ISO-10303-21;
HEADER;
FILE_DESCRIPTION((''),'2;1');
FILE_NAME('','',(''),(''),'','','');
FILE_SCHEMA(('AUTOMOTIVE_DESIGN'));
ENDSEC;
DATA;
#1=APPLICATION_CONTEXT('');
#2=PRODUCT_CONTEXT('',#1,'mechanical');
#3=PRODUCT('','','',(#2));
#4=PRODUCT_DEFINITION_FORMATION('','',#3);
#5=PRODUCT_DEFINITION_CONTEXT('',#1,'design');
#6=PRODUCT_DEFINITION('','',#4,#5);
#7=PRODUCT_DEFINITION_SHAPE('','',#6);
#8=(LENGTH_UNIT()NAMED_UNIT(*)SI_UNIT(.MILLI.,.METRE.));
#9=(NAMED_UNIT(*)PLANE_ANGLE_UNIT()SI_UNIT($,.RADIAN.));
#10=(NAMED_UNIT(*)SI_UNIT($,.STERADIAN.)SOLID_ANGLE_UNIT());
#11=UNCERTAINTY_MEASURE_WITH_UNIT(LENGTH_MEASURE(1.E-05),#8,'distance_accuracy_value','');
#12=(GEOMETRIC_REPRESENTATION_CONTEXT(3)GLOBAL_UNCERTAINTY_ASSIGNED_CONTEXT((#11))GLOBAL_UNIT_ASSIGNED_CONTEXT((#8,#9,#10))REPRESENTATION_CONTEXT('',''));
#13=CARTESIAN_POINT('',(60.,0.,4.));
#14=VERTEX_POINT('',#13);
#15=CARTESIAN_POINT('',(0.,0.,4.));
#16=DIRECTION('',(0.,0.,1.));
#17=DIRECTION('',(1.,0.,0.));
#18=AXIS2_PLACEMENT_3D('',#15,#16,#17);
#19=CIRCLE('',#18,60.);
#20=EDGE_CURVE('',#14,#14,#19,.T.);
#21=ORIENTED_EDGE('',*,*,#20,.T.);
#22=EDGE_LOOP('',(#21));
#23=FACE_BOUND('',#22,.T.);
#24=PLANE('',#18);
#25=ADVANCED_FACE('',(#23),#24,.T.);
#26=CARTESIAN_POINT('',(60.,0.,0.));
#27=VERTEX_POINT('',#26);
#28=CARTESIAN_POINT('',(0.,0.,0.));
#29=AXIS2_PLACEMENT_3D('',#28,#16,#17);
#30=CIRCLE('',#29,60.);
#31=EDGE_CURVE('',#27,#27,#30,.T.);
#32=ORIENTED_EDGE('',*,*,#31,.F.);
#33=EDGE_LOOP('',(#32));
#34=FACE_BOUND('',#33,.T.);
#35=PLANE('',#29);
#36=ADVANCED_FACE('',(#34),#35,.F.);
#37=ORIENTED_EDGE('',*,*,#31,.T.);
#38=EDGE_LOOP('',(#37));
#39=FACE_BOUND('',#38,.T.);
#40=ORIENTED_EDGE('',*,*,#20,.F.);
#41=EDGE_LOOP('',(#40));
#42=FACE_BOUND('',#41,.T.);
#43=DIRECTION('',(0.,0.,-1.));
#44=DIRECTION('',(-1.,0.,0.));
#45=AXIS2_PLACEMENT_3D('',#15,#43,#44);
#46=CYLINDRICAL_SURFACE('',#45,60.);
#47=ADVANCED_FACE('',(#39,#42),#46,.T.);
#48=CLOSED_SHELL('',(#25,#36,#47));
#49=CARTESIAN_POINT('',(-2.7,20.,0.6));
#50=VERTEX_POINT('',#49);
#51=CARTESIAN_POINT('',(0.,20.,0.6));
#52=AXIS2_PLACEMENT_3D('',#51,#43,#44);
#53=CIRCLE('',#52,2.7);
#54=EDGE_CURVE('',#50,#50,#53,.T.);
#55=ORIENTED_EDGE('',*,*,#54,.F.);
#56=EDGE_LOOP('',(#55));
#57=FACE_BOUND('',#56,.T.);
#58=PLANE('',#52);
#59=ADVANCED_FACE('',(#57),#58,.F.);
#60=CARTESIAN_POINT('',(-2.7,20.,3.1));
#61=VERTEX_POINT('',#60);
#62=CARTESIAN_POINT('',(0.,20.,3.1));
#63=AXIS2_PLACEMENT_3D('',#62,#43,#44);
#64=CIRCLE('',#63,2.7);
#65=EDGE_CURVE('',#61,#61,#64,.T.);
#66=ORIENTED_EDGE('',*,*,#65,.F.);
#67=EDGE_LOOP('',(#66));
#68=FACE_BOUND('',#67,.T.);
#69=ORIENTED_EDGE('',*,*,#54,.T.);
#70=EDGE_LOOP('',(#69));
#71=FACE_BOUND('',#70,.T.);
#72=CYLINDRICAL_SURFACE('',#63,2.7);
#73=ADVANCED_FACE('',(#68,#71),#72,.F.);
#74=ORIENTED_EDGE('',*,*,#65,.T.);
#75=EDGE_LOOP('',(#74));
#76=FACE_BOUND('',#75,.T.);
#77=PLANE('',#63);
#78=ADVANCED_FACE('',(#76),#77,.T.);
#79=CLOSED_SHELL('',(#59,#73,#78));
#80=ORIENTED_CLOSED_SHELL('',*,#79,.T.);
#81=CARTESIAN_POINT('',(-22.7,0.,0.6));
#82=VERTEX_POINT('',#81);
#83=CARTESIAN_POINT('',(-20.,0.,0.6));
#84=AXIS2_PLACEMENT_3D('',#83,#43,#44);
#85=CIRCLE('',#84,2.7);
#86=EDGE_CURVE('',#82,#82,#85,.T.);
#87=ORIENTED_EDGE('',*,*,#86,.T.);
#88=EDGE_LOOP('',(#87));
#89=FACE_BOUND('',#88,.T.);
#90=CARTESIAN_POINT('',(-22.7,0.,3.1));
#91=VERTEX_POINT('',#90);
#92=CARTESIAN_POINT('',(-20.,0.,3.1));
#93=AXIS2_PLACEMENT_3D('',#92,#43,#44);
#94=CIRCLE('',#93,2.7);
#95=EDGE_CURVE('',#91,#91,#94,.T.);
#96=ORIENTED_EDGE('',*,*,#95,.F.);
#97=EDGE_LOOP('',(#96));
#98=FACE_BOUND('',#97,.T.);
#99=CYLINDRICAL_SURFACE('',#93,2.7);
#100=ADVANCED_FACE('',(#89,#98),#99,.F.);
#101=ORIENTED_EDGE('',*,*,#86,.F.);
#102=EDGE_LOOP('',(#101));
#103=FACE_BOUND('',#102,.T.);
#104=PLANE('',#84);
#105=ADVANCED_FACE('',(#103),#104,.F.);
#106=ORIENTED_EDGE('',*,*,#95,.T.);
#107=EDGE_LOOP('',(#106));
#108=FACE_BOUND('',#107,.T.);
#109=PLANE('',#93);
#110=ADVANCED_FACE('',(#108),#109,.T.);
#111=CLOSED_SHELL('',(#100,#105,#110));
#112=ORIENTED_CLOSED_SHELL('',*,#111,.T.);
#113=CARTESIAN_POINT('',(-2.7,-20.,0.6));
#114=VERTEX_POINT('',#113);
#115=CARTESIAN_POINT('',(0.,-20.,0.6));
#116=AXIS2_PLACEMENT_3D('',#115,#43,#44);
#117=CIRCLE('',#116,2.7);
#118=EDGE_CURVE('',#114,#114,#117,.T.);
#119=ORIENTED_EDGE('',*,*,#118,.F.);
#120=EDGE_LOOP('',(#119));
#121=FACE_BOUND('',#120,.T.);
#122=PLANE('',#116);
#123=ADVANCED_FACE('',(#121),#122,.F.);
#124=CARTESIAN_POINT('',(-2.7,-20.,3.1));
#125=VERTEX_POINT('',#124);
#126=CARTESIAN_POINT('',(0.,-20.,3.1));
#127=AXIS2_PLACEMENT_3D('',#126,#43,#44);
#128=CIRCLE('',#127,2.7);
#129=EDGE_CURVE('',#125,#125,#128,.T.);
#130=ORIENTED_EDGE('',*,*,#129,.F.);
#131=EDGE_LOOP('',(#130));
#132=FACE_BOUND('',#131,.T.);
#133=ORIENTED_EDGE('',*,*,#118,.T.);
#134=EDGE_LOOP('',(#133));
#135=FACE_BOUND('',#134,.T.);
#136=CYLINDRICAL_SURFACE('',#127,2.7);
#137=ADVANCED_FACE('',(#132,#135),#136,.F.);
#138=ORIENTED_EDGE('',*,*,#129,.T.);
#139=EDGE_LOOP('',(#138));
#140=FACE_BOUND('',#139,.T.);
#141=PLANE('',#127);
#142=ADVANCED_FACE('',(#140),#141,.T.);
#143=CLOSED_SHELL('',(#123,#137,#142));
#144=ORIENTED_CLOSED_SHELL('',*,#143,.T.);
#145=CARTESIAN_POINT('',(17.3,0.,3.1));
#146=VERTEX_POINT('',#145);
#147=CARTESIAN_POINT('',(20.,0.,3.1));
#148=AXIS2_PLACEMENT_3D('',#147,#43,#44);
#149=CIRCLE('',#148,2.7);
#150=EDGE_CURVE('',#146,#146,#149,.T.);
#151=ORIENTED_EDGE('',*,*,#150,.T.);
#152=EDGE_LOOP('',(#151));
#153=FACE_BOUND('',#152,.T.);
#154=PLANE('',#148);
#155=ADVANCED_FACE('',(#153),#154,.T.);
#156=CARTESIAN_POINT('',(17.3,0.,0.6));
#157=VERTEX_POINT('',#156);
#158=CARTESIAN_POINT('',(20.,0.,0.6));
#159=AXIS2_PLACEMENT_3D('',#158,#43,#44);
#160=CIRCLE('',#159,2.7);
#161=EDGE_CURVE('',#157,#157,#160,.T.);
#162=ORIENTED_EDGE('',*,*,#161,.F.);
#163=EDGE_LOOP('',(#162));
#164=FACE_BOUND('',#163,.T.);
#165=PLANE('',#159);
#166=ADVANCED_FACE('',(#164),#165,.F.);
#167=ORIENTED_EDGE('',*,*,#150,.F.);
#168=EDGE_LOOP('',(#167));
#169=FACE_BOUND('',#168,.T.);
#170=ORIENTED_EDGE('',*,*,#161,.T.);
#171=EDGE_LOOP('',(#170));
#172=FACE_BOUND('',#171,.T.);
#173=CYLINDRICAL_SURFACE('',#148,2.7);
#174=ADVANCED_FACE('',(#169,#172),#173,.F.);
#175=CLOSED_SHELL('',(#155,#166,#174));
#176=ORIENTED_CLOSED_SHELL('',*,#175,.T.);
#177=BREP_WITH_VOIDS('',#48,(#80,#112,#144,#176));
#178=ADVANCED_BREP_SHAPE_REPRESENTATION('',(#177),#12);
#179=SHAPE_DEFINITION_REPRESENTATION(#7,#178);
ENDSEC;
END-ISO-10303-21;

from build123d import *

# Parameters (mm, degrees)
SKETCH1_R           = 60
BOSS_EXTRUDE1_DEPTH = 4
SKETCH2_R           = 2.7
CUT_EXTRUDE1_DEPTH  = 2.5


with BuildPart() as part:
    # Sketch1 → Boss-Extrude1 (new body)
    with BuildSketch(Plane.XY):
        Circle(SKETCH1_R)
    extrude(amount=BOSS_EXTRUDE1_DEPTH)

    # Sketch2 → Cut-Extrude1 (cut)
    with BuildSketch(Plane(origin=(0, 0, 0.6), x_dir=(-1, 0, 0), z_dir=(0, 0, -1))):
        with Locations((0, 20)):
            Circle(SKETCH2_R)
        with Locations((20, 0)):
            Circle(SKETCH2_R)
        with Locations((0, -20)):
            Circle(SKETCH2_R)
        with Locations((-20, 0)):
            Circle(SKETCH2_R)
    extrude(amount=-CUT_EXTRUDE1_DEPTH, mode=Mode.SUBTRACT)


solid = part.part
